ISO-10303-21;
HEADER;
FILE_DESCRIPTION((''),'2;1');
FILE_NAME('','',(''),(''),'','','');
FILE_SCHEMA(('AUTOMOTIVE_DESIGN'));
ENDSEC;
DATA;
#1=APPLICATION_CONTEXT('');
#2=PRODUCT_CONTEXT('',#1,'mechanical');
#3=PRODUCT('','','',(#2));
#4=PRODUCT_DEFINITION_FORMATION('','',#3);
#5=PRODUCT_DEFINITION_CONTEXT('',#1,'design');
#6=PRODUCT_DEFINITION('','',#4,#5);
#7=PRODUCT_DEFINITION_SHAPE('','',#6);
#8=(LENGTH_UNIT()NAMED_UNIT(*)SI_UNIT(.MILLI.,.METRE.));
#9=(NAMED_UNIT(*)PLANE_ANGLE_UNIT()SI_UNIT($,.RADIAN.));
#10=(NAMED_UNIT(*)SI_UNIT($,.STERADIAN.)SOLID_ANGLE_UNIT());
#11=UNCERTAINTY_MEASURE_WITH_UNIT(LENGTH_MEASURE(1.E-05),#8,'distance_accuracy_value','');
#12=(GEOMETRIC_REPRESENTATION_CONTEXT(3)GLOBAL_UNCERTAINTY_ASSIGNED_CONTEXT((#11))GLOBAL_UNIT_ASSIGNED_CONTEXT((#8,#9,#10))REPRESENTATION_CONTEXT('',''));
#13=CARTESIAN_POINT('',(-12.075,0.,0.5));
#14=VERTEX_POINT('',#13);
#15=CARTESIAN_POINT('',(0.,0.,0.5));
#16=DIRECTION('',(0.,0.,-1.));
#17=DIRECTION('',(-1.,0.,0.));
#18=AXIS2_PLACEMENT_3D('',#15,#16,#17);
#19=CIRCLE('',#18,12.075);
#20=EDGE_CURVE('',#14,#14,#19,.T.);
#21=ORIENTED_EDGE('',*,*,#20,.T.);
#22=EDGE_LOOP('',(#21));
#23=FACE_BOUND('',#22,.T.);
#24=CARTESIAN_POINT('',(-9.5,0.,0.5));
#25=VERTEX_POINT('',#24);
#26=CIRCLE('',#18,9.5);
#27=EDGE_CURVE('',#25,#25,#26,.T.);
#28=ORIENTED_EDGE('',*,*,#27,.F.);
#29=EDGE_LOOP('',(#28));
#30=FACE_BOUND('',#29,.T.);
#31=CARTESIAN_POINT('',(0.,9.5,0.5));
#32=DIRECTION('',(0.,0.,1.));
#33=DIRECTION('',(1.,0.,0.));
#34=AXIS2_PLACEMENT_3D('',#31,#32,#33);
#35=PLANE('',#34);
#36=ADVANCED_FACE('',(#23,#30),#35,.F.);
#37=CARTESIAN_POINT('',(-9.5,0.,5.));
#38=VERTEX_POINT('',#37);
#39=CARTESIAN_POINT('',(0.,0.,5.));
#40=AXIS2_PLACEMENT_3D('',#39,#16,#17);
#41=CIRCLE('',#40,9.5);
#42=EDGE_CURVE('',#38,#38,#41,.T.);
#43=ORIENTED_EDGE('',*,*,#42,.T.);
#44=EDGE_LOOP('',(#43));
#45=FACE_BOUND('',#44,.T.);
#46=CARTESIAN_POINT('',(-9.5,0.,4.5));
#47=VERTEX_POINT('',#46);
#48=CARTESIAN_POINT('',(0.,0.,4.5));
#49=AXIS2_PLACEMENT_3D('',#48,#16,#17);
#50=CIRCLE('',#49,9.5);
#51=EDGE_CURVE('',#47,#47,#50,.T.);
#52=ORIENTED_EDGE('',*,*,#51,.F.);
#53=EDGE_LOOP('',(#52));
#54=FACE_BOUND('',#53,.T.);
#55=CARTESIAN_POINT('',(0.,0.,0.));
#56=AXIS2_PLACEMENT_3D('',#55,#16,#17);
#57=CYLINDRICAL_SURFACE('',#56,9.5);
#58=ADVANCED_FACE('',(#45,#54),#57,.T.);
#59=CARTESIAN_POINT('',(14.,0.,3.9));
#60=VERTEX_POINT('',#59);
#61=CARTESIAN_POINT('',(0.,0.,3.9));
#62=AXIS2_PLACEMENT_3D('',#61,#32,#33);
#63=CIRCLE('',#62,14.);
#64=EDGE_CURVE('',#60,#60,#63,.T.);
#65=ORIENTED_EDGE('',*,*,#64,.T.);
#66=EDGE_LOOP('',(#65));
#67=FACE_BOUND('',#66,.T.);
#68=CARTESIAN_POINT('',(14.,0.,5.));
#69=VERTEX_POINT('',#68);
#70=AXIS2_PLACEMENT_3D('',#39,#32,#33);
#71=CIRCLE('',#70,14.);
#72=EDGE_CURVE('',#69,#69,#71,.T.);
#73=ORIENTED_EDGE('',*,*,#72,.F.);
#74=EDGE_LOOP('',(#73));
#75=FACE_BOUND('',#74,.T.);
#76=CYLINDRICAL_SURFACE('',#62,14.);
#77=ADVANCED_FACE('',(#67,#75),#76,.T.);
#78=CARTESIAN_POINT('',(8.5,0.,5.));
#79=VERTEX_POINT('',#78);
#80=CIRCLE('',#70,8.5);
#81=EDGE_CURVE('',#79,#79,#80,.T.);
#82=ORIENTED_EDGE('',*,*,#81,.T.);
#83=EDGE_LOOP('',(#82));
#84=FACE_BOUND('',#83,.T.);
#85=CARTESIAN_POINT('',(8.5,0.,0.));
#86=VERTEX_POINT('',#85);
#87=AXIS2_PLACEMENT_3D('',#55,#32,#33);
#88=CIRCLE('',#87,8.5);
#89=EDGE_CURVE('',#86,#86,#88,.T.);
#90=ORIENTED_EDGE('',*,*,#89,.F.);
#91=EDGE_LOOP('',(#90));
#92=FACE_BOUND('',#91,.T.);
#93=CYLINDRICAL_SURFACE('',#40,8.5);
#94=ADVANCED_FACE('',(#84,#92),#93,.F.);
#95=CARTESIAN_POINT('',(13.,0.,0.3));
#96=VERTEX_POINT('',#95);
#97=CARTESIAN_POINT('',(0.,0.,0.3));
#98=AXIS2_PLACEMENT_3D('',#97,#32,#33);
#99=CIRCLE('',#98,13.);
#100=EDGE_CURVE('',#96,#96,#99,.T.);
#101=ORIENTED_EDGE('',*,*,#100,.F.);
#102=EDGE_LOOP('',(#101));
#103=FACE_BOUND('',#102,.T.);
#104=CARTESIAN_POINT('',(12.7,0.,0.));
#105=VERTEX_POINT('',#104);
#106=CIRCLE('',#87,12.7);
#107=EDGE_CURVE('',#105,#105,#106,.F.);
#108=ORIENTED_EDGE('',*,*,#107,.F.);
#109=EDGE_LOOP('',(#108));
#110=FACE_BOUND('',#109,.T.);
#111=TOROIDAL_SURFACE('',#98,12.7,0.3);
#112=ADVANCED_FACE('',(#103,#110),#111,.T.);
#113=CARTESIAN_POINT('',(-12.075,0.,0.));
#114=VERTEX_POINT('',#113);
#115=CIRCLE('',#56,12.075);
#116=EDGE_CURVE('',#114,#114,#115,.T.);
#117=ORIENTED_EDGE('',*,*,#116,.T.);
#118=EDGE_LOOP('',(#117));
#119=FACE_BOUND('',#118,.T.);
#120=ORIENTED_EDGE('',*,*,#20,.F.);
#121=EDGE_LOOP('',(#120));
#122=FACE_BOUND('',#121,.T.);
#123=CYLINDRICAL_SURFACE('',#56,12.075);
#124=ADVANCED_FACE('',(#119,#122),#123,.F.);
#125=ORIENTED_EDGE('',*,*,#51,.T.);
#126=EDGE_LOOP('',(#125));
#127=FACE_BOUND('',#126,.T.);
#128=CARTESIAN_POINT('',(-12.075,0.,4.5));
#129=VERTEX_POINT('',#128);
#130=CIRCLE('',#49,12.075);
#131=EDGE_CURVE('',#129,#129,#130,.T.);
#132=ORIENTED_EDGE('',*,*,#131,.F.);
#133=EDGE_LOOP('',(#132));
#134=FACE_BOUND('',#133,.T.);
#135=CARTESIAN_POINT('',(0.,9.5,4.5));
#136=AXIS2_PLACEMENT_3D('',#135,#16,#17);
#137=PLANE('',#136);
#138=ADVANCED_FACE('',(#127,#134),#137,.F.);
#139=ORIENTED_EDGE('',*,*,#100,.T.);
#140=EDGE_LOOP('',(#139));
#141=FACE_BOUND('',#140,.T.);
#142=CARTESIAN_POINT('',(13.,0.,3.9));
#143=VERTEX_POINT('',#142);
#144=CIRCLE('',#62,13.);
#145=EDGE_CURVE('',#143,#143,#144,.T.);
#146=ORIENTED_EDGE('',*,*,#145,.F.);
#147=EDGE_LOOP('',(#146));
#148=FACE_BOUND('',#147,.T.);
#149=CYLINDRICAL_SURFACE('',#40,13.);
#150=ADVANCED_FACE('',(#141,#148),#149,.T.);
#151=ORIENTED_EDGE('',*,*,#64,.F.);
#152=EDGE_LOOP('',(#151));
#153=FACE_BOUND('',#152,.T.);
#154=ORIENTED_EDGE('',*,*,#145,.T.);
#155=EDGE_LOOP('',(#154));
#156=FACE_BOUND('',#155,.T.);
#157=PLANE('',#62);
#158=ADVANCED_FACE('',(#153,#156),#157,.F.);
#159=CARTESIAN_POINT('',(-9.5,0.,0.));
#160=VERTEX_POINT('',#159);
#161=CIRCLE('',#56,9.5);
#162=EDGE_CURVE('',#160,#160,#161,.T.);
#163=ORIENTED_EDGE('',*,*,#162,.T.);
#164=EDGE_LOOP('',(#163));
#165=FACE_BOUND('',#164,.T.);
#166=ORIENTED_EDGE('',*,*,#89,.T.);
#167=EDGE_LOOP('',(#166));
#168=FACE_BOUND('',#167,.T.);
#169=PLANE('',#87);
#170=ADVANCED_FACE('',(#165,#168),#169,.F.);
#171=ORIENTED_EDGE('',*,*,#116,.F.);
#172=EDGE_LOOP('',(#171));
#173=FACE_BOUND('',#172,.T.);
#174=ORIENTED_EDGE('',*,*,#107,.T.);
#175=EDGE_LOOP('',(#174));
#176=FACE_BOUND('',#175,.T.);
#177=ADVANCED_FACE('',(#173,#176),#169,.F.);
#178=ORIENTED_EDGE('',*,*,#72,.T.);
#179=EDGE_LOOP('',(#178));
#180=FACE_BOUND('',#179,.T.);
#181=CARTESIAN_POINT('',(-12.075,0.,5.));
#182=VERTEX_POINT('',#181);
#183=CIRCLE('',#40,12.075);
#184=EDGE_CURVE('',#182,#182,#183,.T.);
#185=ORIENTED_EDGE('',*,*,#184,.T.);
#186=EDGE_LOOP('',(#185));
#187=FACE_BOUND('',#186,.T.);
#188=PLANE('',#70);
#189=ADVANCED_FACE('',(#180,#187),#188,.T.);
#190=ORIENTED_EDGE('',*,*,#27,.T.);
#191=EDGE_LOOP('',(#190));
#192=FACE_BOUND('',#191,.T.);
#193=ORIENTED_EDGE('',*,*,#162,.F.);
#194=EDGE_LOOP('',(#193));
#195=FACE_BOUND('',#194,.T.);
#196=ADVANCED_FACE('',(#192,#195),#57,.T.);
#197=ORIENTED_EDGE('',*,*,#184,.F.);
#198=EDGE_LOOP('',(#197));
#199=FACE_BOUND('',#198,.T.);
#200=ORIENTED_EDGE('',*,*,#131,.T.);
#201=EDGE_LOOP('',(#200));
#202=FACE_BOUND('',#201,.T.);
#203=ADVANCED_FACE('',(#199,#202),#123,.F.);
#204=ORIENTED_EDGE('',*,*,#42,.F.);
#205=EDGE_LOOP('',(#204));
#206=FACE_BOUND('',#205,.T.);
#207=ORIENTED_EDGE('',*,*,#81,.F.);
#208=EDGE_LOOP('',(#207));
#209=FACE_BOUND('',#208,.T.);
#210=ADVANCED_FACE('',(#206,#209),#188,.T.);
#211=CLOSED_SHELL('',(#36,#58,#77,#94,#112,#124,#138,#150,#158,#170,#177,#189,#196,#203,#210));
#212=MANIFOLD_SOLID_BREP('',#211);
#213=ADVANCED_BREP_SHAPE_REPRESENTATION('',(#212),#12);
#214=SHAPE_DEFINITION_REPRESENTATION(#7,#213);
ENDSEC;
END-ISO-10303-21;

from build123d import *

# Parameters (mm, degrees)
SKETCH_1_R      = 13
SKETCH_1_R_2    = 8.5
EXTRUDE_1_DEPTH = 5
EXTRUDE_START   = -1.1
SKETCH_2_R      = 14
SKETCH_2_R_2    = 13
EXTRUDE_2_DEPTH = 1.1
FILLET_1_R      = 0.3
SKETCH_3_W      = 0.5
SKETCH_3_H      = 2.575


with BuildPart() as part:
    # 草图1 → 凸台-拉伸1 (new body)
    with BuildSketch(Plane.XY):
        Circle(SKETCH_1_R)
        Circle(SKETCH_1_R_2, mode=Mode.SUBTRACT)
    extrude(amount=EXTRUDE_1_DEPTH)

    # 草图2 → 凸台-拉伸2 (add)
    with BuildSketch(Plane.XY.offset(5).offset(EXTRUDE_START)):
        Circle(SKETCH_2_R)
        Circle(SKETCH_2_R_2, mode=Mode.SUBTRACT)
    extrude(amount=EXTRUDE_2_DEPTH)

    # 圆角1
    fillet_1_edges = [part.edges().sort_by_distance(p)[0] for p in [
        (-13, 0, 0),
    ]]
    fillet(fillet_1_edges, radius=FILLET_1_R)

    # 草图3 → 切除-旋转1 (revolve, cut)
    with BuildSketch(Plane(origin=(0, 0, 0), x_dir=(0, 0, -1), z_dir=(1, 0, 0)), mode=Mode.PRIVATE) as cut_revolve_1_sk:
        with Locations((-0.25, 10.7875)):
            Rectangle(SKETCH_3_W, SKETCH_3_H)
        with Locations((-4.75, 10.7875)):
            Rectangle(SKETCH_3_W, SKETCH_3_H)
    revolve(cut_revolve_1_sk.sketch.rotate(Axis((0, 0, 0), (0, 0, 1)), 90), axis=Axis((0, 0, 0), (0, 0, 1)), mode=Mode.SUBTRACT)


solid = part.part
